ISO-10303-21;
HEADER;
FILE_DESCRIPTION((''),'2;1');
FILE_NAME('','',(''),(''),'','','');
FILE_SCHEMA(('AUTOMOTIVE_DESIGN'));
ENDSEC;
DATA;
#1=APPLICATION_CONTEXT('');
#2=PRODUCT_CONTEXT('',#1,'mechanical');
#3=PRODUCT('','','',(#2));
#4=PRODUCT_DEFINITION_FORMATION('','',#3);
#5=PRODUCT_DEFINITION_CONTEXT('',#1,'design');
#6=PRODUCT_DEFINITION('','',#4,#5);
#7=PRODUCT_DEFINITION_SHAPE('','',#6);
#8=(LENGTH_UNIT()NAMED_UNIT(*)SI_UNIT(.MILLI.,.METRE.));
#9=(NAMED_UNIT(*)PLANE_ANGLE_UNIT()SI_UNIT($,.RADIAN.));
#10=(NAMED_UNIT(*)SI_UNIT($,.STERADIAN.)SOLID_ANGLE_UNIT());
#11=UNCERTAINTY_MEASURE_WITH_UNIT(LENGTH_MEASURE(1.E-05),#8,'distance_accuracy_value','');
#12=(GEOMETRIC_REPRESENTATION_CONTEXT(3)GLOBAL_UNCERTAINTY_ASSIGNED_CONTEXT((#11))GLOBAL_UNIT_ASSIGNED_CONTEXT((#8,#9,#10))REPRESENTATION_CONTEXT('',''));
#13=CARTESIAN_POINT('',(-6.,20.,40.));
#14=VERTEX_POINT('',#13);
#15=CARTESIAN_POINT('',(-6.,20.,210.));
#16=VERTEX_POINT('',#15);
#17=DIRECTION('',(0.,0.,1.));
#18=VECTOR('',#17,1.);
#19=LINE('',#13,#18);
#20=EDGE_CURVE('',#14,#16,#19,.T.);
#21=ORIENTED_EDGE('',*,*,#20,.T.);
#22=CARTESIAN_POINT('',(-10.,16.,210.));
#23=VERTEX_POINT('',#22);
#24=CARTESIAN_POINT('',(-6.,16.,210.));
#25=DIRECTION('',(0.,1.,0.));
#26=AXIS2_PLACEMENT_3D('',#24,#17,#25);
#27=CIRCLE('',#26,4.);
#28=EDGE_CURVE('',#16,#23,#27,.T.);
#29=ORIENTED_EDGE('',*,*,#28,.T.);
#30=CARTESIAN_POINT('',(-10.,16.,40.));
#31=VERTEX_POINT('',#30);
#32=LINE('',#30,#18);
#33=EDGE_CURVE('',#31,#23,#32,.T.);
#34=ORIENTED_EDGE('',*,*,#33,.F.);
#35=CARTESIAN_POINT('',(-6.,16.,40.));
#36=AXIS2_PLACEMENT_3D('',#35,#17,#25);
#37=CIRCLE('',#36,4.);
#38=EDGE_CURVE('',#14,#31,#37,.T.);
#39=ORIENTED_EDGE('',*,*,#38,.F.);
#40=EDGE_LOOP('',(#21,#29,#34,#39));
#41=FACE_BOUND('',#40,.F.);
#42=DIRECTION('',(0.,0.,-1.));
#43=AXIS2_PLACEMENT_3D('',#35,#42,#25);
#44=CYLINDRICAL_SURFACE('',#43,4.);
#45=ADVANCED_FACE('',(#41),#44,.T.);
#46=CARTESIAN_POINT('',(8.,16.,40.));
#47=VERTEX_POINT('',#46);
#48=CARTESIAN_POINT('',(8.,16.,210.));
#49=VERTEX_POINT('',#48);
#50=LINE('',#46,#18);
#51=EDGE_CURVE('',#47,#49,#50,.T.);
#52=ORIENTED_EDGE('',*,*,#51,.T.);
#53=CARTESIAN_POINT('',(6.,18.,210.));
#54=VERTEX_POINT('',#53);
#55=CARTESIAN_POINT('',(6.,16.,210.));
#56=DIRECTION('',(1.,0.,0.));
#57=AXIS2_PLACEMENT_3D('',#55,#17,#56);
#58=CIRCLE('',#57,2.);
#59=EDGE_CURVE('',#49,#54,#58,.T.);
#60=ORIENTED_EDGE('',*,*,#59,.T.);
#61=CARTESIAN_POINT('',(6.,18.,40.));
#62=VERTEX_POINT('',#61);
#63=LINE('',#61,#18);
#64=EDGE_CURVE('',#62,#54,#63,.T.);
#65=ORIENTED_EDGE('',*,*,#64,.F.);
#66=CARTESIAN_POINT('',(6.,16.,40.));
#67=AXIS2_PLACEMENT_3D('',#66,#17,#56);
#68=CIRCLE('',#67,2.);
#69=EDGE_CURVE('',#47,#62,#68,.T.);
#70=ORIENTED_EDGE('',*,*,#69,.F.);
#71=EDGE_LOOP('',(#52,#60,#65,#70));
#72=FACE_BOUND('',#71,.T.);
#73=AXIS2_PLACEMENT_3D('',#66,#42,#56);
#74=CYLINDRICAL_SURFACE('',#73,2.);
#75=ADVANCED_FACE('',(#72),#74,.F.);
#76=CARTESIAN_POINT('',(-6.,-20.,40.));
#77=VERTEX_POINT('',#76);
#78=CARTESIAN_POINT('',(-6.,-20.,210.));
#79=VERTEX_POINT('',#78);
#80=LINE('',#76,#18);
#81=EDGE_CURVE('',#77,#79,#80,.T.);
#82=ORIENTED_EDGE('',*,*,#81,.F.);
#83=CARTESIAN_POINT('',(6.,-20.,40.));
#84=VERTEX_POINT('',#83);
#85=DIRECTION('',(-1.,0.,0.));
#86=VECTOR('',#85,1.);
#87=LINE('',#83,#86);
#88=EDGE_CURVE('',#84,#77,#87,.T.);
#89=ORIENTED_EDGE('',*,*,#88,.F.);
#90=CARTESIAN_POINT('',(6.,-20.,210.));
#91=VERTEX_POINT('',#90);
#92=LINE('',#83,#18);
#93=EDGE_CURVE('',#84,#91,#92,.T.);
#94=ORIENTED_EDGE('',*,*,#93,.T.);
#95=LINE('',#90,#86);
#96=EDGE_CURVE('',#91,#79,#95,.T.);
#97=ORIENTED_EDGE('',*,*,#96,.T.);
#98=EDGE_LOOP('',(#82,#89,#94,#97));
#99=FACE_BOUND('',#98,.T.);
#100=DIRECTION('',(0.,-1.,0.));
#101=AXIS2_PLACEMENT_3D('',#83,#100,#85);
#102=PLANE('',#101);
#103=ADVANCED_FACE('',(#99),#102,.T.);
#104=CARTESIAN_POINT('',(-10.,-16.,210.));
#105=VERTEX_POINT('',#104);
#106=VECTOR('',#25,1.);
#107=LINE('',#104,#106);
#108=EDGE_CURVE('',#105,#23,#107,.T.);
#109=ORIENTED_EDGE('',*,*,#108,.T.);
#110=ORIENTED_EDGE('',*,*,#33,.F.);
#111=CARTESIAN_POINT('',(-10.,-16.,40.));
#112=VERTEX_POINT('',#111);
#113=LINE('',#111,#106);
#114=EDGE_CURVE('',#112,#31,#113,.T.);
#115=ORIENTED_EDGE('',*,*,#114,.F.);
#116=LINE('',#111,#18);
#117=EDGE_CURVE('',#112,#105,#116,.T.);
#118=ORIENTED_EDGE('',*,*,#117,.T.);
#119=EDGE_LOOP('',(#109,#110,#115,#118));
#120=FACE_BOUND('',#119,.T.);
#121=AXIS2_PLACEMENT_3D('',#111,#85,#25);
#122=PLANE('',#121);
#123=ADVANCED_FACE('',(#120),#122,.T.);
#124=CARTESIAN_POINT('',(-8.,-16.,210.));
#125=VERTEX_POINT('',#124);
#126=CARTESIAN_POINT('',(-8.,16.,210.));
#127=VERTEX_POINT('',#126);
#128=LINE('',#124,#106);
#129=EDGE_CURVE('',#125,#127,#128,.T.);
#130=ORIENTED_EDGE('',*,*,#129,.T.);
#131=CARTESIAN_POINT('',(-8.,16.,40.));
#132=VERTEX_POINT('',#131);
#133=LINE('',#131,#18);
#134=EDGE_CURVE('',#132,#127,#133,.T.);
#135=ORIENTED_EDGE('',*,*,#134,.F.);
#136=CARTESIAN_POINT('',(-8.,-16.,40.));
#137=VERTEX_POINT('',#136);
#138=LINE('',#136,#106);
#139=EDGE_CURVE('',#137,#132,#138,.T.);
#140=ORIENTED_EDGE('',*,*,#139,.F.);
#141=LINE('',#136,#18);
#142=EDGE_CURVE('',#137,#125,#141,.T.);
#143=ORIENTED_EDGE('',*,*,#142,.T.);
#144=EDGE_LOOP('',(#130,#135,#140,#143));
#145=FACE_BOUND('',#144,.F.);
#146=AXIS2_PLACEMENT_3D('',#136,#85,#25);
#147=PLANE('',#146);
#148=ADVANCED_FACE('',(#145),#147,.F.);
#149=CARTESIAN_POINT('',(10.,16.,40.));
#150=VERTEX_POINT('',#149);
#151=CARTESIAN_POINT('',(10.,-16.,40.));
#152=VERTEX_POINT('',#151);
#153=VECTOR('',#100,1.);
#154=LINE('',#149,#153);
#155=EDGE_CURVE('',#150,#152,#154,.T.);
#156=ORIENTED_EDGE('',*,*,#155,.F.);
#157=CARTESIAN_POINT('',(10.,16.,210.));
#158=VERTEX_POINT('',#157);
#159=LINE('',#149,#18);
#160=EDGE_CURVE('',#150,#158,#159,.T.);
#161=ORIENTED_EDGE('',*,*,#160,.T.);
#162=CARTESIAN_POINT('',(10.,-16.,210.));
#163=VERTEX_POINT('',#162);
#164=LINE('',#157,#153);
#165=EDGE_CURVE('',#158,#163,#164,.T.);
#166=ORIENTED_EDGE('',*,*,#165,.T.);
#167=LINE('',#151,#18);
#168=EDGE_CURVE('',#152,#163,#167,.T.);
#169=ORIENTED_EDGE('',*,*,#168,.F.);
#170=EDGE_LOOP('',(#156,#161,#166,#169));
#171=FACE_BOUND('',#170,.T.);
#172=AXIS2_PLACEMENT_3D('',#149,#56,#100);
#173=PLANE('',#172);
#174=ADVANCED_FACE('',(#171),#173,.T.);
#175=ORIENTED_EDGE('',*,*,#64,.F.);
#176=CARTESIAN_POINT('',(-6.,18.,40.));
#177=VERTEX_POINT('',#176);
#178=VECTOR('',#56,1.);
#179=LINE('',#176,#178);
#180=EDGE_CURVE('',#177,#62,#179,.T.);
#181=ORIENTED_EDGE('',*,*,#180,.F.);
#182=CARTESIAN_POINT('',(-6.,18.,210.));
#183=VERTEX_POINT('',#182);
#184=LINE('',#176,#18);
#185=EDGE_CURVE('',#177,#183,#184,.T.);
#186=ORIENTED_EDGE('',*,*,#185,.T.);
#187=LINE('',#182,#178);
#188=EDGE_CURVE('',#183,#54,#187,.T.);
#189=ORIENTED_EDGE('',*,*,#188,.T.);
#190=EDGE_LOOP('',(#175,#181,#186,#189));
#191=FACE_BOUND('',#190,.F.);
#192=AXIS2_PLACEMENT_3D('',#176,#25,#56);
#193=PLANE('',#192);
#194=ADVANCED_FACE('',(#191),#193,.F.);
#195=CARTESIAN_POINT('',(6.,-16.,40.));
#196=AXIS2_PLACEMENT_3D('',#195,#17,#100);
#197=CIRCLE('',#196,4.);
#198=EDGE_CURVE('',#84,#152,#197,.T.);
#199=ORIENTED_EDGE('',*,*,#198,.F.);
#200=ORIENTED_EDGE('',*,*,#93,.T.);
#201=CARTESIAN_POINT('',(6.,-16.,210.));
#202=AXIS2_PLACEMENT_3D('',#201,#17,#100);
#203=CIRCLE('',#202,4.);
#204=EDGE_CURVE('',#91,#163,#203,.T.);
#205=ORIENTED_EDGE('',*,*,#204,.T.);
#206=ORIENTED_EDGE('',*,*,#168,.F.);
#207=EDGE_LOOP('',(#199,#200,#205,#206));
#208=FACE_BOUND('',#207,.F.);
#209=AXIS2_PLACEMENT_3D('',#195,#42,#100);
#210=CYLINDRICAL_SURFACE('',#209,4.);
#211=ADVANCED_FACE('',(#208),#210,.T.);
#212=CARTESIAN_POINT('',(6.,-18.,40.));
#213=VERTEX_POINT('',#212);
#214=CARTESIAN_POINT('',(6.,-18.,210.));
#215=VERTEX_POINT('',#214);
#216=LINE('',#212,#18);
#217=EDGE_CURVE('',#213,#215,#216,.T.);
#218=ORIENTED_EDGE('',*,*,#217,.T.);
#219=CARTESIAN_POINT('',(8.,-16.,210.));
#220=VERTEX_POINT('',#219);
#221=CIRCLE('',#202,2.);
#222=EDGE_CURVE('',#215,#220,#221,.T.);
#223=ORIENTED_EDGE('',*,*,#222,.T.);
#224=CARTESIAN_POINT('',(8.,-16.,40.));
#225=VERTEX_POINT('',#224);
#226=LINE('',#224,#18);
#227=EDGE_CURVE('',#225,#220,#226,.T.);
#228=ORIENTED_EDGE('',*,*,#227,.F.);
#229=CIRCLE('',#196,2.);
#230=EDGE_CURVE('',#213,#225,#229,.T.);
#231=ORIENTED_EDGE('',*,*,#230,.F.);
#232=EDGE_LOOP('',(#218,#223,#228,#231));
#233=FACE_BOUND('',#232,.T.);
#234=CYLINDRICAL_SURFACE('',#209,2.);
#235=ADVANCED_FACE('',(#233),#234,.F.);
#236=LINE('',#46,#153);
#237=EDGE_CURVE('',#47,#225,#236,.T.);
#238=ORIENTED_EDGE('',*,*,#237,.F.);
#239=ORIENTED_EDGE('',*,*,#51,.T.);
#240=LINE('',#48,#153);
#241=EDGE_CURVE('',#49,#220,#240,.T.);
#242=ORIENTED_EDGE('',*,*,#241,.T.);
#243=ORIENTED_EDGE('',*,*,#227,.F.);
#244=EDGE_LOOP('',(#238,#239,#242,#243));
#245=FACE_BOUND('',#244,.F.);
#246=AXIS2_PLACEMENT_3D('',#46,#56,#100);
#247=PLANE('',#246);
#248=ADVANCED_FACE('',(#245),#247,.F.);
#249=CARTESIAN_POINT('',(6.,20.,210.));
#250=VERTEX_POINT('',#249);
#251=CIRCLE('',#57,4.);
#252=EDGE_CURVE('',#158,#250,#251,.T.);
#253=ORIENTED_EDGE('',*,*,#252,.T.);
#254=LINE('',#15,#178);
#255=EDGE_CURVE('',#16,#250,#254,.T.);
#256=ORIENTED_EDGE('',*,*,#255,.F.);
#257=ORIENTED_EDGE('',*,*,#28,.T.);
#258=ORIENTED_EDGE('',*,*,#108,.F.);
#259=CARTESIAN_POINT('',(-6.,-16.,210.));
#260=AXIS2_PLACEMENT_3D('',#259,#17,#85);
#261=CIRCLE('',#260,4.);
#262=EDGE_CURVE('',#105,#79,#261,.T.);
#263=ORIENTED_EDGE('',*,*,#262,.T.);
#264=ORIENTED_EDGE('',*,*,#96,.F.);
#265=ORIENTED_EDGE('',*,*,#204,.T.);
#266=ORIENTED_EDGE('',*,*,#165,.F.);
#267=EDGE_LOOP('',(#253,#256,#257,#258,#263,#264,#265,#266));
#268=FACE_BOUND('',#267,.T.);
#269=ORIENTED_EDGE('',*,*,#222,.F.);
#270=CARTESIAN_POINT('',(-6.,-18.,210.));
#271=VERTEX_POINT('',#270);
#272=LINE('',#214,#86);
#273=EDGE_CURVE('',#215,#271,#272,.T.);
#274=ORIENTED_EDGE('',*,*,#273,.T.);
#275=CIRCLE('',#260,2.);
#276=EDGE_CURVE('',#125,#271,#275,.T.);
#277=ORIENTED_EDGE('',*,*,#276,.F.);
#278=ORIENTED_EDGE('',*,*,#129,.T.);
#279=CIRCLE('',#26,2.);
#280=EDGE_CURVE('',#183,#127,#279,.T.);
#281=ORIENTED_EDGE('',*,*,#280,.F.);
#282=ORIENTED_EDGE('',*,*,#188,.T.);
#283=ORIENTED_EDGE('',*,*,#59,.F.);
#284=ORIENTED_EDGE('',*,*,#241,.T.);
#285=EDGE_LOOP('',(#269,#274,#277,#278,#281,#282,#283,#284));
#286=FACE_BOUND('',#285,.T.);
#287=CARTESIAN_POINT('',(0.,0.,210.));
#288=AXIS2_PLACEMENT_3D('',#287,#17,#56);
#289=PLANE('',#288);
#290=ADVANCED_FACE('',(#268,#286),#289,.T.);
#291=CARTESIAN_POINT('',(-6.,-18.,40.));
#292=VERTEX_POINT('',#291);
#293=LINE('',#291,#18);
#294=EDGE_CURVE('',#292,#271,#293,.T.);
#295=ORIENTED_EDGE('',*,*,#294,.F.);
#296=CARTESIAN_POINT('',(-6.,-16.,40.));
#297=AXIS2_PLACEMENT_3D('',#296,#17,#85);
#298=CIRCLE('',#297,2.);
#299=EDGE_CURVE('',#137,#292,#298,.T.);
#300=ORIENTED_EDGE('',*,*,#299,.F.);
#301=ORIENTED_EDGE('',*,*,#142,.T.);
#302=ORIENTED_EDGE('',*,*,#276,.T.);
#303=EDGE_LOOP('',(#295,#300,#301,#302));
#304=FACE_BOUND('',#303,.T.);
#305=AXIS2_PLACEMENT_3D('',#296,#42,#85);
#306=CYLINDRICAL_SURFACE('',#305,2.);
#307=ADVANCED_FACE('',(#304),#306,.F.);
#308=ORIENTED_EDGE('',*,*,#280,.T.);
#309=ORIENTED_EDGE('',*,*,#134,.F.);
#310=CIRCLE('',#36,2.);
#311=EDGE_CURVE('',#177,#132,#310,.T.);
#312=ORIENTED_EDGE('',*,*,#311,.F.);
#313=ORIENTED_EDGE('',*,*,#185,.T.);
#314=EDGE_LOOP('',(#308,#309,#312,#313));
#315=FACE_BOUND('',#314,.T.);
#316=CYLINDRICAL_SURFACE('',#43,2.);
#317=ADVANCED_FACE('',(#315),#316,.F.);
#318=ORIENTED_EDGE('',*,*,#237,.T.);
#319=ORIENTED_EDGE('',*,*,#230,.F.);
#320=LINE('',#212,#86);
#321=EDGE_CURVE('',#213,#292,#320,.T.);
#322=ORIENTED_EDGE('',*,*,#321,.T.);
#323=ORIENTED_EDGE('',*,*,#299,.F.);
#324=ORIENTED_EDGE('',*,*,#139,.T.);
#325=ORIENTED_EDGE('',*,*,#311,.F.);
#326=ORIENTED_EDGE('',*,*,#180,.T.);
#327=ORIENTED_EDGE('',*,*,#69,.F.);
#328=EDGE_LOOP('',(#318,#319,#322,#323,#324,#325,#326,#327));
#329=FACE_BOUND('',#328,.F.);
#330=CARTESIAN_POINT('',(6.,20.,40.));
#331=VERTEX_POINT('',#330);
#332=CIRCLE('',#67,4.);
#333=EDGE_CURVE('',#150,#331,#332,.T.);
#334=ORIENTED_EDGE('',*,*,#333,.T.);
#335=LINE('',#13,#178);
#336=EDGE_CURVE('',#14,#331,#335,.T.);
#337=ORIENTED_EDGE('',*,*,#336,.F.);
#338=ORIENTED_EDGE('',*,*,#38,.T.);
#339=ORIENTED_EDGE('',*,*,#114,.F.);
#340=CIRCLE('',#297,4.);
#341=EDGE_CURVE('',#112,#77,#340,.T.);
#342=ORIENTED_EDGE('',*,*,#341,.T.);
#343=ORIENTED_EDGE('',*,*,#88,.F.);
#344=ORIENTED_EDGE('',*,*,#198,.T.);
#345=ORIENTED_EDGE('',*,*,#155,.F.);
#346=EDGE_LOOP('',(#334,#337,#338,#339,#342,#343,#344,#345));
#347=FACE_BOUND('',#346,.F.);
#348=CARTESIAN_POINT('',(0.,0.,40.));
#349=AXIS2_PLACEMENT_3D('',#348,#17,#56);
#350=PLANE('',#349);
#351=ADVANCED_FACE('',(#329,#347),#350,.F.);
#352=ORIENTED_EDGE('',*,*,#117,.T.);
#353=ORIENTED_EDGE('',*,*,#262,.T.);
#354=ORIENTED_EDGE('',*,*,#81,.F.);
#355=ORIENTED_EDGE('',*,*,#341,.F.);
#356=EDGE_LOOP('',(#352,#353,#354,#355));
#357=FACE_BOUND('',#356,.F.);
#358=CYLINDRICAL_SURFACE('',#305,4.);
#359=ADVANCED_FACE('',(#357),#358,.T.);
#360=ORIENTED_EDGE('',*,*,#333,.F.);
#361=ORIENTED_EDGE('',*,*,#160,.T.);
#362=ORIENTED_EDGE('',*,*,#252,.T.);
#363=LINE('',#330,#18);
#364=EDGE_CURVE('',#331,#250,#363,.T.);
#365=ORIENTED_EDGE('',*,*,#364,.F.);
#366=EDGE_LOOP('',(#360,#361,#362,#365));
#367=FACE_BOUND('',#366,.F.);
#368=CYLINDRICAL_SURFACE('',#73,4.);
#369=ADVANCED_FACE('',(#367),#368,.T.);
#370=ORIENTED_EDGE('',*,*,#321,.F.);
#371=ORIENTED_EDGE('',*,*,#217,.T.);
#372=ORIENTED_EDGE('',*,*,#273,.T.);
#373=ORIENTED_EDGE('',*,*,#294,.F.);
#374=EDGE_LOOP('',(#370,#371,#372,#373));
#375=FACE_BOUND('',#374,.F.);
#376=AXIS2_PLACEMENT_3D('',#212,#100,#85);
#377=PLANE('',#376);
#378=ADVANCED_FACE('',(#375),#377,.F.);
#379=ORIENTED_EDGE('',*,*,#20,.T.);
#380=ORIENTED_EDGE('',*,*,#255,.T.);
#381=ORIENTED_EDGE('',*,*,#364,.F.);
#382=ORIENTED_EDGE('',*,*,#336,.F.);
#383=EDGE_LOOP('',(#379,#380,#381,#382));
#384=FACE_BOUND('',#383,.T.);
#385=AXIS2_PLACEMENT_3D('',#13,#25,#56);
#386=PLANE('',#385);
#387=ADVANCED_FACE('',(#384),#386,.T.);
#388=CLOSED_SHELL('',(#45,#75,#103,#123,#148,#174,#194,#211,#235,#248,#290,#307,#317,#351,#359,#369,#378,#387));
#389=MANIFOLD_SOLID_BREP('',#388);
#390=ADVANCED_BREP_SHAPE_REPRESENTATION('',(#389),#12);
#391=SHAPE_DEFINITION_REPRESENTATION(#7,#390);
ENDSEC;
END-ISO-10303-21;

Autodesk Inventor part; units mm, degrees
ref_plane "YZ Plane" through (0, 0, 0) normal (1, 0, 0) x (0, 1, 0)
ref_plane "Start Plane" through (0, 0, 40) normal (0, 0, 1) x (1, 0, 0)
ref_plane "End Plane" through (0, 0, 210) normal (0, 0, 1) x (1, 0, 0)
sketch "Sketch" plane through (0, 0, 0) normal (0, 0, 1) x (1, 0, 0)
  line L0 (-10, -16) -> (-10, 16)
  line L1 (-6, 20) -> (6, 20)
  line L2 (10, 16) -> (10, -16)
  line L3 (6, -20) -> (-6, -20)
  arc A0 (-10, -16) -> (-6, -20) centre (-6, -16) ccw
  arc A1 (10, 16) -> (6, 20) centre (6, 16) ccw
  arc A2 (-6, 20) -> (-10, 16) centre (-6, 16) ccw
  arc A3 (6, -20) -> (10, -16) centre (6, -16) ccw
  arc A4 (-6, 18) -> (-8, 16) centre (-6, 16) ccw
  line L4 (-6, 18) -> (6, 18)
  arc A5 (8, 16) -> (6, 18) centre (6, 16) ccw
  line L5 (8, 16) -> (8, -16)
  arc A6 (6, -18) -> (8, -16) centre (6, -16) ccw
  line L6 (6, -18) -> (-6, -18)
  arc A7 (-8, -16) -> (-6, -18) centre (-6, -16) ccw
  line L7 (-8, -16) -> (-8, 16)
  line L8 (0, 29.1598) -> (0, -29.1598) construction
  line L9 (-15.1598, 0) -> (15.1598, 0) construction
  dimension "d7" = 4
  dimension "d9" = 20
  dimension "d11" = 40
  dimension "d12" = 2
  dimension "d15" = 10
  dimension "d16" = 20
extrude "Body" add sketch "Sketch" along normal up to surface (170 mm away) from surface at 40
sketch "Sketch3" plane through (0, 0, 0) normal (0, 0, 1) x (1, 0, 0)
  line L0 (0, 0) -> (10, 0)
ref_plane "Work Plane3" through (0, 0, 0) normal (0, -1, 0) x (1, 0, 0)
sketch "Sketch4" plane through (0, 0, 0) normal (0, -1, 0) x (1, 0, 0)
  line L0 (-2, 40) -> (12, 40) projected
  line L1 (-2, 210) -> (12, 210) projected
  dimension "d18" = 170
equation "\"d7\" = G_IR"
equation "\"d9\" = G_W"
equation "\"d11\" = G_H"
equation "\"d12\" = G_T"
equation "\"d15\" = 0.5 * d9"
equation "\"d16\" = 0.5 * d11"
equation "\"d3\" = G_L"
equation "\"G_W\" = 20"
equation "\"G_H\" = 40"
equation "\"G_T\" = 2"
equation "\"G_IR\" = 4"
equation "\"G_L\" = d18"
properties part number "ISO 4019 - 40x20x2 - 170" material "Steel, Mild"
